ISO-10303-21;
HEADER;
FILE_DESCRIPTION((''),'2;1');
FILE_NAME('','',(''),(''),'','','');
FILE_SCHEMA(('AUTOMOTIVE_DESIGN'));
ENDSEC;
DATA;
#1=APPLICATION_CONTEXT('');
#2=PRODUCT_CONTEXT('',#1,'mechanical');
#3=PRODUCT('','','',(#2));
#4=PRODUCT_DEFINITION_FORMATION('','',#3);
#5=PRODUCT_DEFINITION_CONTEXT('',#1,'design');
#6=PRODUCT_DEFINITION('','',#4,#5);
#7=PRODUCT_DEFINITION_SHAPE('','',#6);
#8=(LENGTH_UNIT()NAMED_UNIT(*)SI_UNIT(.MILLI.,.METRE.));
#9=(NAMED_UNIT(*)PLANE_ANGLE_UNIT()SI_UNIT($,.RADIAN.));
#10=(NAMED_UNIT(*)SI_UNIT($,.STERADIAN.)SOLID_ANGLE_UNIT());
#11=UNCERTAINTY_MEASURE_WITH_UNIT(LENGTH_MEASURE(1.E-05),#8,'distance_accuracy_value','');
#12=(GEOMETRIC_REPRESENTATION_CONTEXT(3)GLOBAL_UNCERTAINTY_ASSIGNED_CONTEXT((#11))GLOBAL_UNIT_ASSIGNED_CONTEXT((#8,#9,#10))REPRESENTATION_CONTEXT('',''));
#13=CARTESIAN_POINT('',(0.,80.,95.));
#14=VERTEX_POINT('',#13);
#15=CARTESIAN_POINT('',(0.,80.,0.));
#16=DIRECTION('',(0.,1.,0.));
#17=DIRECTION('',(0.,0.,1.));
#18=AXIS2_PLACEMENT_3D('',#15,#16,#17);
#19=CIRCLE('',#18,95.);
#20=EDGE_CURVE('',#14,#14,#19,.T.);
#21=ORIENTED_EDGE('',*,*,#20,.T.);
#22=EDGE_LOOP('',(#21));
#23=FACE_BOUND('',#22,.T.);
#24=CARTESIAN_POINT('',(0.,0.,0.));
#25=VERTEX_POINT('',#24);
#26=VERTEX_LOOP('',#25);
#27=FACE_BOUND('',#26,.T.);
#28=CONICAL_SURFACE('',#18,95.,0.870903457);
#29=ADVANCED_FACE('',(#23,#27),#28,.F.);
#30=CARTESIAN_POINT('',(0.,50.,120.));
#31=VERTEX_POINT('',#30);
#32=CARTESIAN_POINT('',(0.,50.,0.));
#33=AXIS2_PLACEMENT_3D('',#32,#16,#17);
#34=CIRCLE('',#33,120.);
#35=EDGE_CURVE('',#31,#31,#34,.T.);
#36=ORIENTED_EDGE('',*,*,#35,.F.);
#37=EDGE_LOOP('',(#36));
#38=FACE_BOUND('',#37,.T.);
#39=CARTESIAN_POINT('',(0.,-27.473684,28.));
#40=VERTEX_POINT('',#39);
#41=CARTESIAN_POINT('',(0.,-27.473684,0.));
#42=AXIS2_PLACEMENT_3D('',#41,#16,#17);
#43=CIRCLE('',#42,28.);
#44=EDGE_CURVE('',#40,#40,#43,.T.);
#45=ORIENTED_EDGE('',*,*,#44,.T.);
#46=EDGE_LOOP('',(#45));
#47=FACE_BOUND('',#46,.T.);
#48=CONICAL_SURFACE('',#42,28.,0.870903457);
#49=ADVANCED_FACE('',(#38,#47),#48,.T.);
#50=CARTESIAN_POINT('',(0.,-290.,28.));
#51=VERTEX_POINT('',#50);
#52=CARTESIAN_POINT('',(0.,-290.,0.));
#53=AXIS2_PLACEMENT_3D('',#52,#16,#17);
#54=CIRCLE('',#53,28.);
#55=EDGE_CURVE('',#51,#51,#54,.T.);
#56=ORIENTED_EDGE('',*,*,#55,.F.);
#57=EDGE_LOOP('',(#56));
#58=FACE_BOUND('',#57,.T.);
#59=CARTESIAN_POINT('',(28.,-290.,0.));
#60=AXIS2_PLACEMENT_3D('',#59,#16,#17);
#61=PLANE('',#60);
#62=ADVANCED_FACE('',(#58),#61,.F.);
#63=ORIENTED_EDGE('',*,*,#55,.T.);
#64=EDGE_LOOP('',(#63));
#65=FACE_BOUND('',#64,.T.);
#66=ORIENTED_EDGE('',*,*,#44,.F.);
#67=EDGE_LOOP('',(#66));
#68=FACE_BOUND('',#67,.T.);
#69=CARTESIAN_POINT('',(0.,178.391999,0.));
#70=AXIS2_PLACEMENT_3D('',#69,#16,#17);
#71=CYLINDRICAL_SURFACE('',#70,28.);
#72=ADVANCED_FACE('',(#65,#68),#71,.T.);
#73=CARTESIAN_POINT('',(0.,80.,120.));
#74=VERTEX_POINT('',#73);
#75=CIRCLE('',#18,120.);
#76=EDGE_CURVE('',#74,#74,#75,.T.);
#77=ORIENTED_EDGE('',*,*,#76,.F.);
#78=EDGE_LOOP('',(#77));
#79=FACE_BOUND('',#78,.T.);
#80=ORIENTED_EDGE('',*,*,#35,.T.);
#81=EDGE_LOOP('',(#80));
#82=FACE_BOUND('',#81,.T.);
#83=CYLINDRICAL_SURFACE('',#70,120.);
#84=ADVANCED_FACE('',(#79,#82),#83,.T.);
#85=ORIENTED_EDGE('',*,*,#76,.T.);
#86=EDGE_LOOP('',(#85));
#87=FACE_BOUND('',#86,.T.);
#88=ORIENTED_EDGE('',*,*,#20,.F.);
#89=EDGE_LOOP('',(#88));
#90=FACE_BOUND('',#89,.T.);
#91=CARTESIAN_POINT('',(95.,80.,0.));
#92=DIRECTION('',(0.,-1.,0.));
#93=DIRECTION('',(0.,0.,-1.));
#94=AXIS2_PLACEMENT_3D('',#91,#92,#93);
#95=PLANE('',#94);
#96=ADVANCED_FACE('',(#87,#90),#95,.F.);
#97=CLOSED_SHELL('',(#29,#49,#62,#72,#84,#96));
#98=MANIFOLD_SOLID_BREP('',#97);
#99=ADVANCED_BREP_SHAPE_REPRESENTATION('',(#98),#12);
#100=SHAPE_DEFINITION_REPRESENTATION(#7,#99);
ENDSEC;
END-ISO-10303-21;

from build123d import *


with BuildPart() as part:
    # Sketch1 → Revolve1 (revolve)
    with BuildSketch(Plane.XY):
        Polygon((0, 0), (95, 80), (120, 80), (120, 50), (28, -27.473684211), (28, -290), (0, -290), align=None)
    revolve(axis=Axis((0, 178.391999298, 0), (0, -1, 0)))


solid = part.part
